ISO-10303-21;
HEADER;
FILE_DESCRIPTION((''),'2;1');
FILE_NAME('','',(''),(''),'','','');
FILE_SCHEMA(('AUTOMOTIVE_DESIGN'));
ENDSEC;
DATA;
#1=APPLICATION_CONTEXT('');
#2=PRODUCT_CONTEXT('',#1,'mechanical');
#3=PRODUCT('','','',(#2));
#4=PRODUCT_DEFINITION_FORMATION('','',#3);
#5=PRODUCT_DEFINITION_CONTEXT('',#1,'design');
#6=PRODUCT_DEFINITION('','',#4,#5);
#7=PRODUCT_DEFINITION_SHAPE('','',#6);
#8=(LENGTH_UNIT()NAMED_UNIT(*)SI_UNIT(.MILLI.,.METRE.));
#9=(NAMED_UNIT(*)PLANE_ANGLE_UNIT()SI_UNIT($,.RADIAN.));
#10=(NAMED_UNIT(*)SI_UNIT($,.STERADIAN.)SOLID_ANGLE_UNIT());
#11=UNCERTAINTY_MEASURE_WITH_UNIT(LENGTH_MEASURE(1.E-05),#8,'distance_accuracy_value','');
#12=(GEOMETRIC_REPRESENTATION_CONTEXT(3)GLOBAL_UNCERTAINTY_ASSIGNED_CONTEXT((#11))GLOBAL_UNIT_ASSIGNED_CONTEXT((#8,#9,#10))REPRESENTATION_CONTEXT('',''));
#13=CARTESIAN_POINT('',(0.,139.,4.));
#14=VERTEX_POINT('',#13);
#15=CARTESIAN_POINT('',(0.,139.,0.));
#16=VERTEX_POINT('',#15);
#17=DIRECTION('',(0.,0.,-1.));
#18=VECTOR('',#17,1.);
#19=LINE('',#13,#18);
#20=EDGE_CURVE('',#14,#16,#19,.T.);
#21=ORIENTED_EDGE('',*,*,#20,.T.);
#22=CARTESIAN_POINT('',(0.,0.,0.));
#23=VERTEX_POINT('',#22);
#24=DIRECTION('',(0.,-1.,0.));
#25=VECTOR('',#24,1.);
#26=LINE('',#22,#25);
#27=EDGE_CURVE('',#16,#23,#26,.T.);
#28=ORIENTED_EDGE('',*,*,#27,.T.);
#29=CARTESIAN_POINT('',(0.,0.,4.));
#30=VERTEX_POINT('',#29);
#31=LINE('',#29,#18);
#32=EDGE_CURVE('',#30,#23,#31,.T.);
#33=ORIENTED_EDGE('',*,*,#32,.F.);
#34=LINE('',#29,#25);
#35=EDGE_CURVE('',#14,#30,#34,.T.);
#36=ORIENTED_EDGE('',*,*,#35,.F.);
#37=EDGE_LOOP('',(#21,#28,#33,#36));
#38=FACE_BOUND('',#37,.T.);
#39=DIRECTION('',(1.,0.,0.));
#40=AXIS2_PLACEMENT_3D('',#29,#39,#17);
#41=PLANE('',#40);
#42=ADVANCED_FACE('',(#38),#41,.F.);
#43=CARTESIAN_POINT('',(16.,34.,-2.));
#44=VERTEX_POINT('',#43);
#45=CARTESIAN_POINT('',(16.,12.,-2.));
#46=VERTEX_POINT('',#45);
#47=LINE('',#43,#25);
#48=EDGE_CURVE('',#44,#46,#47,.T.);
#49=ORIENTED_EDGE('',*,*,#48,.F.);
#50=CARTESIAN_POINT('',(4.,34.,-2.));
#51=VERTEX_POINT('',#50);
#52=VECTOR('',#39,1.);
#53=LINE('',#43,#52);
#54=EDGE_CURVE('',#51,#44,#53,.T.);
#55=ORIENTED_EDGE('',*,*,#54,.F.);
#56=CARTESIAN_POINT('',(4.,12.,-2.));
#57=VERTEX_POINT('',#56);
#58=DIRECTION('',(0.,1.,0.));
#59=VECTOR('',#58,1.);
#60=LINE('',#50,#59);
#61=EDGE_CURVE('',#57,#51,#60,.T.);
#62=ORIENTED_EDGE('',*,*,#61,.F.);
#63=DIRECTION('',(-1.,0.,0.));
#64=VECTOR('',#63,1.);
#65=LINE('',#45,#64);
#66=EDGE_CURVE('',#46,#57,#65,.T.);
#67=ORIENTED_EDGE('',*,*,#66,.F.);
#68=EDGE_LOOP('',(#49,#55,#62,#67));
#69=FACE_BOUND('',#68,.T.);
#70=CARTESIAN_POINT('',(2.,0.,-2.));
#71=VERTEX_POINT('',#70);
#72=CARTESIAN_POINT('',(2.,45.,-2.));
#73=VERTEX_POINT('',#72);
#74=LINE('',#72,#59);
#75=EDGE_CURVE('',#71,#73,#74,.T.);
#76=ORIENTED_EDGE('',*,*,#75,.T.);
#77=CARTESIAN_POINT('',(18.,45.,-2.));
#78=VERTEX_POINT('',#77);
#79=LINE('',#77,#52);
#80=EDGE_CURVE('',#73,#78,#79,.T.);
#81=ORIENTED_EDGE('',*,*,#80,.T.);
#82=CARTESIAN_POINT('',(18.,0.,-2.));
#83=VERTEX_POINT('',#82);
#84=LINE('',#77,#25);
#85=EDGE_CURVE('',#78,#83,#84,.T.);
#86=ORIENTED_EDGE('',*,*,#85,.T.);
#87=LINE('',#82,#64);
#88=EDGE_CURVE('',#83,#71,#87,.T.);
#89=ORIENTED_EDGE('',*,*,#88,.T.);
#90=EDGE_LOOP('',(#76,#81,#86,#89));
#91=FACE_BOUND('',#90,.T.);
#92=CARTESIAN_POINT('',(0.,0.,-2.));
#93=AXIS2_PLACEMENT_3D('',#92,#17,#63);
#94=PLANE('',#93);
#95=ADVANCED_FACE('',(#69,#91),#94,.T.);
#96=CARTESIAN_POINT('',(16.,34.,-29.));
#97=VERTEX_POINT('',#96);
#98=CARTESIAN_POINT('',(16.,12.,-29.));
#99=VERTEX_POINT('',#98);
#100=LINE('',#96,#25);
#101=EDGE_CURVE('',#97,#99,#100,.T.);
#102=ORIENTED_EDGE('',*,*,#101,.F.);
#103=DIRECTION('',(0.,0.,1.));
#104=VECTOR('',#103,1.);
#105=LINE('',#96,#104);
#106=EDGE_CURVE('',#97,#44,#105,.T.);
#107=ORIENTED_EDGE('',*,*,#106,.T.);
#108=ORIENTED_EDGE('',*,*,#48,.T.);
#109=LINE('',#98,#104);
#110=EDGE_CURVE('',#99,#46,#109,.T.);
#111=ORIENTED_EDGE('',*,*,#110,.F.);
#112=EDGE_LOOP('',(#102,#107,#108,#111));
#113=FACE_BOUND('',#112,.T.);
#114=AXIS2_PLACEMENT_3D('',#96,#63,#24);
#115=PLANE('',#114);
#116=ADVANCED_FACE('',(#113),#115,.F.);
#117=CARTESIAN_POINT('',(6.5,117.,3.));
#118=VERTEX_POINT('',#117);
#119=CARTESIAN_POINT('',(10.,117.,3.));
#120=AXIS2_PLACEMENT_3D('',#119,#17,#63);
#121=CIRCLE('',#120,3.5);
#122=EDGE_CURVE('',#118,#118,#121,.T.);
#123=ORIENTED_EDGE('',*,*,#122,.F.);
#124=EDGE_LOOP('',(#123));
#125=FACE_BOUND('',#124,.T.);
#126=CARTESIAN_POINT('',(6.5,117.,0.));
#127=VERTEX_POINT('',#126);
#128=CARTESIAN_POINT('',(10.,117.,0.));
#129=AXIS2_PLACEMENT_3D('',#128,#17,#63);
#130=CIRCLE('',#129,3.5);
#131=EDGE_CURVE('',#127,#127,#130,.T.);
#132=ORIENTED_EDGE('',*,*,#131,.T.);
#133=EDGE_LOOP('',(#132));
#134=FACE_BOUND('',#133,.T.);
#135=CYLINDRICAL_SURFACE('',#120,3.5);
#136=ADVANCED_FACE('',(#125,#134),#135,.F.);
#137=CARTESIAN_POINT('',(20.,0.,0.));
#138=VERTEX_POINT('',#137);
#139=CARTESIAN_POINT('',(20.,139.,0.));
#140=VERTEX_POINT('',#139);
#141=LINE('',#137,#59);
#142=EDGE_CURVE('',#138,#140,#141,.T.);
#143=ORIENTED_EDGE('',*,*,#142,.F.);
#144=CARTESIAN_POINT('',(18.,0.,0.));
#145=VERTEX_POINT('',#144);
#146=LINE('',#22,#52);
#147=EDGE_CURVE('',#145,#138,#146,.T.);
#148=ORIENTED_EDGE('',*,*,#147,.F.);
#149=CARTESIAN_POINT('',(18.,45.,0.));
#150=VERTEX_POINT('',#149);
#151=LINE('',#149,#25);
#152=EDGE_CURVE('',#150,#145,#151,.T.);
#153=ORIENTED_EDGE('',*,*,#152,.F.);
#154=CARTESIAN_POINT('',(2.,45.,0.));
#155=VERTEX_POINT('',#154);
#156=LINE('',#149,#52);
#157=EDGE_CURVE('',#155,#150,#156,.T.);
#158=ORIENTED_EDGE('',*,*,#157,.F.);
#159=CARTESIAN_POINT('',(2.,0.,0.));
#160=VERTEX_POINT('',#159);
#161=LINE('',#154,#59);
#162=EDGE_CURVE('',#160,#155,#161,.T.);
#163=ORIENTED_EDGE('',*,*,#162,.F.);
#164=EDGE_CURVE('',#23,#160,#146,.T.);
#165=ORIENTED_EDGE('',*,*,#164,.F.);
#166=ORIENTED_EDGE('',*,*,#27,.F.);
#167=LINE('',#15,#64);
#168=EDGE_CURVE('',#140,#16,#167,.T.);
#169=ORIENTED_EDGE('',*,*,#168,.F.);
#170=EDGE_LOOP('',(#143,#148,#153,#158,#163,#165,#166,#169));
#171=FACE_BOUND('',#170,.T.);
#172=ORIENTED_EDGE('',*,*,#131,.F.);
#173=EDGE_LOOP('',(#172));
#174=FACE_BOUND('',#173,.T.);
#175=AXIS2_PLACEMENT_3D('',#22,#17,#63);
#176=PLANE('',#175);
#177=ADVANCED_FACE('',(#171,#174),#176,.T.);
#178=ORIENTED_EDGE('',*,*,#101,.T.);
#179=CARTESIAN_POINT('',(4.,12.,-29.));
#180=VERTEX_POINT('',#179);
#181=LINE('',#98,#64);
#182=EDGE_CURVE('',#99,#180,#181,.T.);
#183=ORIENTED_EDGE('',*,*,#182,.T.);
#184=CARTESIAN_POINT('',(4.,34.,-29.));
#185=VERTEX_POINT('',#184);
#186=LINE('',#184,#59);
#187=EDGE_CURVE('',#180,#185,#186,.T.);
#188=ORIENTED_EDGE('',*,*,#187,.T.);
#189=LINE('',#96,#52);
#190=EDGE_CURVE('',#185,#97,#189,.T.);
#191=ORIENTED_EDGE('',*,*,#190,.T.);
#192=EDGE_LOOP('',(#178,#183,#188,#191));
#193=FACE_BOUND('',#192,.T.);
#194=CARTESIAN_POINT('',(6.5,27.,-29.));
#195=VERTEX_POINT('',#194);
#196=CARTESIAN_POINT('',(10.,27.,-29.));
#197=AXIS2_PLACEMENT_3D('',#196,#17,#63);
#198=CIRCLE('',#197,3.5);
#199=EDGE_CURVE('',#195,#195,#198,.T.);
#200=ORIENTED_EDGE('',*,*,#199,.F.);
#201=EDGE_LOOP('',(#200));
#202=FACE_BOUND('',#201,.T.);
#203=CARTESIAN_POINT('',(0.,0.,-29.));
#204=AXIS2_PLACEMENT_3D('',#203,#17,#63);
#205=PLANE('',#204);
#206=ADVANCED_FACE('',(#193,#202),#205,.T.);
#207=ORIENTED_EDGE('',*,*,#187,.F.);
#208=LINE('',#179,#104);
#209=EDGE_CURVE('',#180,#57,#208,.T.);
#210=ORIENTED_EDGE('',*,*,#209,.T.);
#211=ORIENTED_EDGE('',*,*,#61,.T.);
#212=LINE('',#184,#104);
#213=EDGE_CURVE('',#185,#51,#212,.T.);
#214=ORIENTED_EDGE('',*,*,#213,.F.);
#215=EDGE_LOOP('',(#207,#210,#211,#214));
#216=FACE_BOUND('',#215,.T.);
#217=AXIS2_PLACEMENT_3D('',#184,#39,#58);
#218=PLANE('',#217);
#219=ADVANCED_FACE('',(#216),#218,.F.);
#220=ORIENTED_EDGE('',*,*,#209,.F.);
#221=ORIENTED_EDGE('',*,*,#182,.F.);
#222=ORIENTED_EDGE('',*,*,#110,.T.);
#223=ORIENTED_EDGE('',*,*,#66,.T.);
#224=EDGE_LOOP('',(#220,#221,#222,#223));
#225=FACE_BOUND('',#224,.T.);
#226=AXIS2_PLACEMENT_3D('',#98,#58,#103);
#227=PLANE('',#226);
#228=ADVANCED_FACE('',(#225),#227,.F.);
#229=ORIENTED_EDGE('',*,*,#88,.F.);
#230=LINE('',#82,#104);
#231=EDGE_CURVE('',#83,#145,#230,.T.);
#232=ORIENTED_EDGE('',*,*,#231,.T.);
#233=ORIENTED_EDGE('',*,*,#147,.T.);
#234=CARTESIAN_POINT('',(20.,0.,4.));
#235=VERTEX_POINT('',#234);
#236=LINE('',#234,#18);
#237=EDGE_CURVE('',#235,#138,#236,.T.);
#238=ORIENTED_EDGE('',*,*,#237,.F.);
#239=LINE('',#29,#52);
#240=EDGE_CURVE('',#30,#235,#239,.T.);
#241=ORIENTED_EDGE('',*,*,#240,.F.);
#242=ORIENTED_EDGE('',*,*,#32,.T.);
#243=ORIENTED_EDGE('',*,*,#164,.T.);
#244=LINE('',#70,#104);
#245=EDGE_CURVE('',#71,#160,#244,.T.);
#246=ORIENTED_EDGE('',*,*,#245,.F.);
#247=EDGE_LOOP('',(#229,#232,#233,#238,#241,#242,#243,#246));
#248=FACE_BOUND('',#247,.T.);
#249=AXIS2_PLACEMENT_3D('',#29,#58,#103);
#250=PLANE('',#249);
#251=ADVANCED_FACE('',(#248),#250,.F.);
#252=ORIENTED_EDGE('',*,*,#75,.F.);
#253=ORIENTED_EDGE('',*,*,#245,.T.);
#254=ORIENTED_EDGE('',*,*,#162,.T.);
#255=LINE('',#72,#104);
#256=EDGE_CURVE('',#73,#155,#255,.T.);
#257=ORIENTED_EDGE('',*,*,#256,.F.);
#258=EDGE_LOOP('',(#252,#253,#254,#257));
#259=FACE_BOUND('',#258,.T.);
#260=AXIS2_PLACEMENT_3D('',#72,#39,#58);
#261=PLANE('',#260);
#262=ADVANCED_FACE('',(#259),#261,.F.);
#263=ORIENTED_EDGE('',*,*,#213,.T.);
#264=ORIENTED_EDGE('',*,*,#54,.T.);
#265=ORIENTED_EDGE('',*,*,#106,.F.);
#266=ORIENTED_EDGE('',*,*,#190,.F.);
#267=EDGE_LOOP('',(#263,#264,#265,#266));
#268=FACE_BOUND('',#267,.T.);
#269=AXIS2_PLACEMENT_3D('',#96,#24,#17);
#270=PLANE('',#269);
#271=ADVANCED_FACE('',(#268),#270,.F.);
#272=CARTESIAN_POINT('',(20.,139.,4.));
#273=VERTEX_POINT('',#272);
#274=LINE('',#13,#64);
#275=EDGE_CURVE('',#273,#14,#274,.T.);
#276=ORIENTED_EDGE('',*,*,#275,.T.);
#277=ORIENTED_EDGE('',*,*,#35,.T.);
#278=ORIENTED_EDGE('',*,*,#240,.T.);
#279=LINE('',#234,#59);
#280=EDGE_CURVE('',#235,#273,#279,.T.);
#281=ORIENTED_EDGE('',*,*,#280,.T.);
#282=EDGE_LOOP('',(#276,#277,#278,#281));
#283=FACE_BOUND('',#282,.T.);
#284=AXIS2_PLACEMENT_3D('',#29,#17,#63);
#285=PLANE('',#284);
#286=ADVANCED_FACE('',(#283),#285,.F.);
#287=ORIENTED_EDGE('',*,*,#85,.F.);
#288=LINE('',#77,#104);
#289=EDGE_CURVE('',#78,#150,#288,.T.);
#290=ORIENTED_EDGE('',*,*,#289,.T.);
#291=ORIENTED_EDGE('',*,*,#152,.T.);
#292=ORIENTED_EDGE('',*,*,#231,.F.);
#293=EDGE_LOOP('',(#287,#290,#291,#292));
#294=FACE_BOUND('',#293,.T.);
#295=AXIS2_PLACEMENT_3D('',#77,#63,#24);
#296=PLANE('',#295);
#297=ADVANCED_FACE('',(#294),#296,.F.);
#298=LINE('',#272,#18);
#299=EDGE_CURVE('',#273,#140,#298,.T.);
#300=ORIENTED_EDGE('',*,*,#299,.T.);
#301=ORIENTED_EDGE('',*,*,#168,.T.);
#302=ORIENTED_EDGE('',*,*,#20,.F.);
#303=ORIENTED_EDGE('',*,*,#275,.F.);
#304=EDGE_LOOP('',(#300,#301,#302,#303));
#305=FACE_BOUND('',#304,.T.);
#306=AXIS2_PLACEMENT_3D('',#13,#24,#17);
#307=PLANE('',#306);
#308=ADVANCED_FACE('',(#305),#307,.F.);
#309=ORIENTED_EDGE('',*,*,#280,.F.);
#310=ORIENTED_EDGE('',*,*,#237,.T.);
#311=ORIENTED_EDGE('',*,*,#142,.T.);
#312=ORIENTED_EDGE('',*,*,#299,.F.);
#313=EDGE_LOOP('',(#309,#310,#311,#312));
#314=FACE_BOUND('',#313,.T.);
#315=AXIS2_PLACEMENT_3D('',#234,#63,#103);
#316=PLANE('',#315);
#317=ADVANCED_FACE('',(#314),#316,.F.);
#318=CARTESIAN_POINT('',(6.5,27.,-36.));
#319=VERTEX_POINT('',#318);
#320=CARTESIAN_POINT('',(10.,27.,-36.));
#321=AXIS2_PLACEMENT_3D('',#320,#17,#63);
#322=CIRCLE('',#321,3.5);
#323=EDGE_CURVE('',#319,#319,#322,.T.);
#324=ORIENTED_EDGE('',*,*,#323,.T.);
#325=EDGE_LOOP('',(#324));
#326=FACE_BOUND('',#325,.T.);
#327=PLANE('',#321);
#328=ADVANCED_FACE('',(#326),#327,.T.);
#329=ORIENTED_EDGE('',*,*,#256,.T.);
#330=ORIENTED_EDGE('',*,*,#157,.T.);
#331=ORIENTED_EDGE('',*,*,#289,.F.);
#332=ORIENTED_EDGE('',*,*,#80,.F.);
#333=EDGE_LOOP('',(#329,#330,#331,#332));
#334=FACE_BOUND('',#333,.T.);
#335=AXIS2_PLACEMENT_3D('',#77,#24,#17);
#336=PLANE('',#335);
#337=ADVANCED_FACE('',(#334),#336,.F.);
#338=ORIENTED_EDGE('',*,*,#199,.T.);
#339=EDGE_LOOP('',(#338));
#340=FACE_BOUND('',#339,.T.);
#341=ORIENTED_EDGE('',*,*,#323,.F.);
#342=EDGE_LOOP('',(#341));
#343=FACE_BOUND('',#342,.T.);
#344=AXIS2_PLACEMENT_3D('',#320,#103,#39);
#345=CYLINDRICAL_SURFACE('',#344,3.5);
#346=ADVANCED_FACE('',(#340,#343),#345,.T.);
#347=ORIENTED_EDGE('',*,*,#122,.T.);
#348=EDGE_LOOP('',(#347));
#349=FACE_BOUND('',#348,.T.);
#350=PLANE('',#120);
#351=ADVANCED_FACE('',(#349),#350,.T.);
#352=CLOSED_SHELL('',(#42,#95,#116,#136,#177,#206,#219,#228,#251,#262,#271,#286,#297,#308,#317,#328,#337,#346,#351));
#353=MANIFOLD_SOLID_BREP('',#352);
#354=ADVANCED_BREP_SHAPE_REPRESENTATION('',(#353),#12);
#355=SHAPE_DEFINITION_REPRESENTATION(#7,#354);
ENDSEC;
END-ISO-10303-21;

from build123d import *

# Parameters (mm, degrees)
SKIZZE1_W                       = 20
SKIZZE1_H                       = 139
AUFSATZ_LINEAR_AUSTRAGEN1_DEPTH = 4
SKIZZE7_R                       = 3.5
SCHNITT_LINEAR_AUSTRAGEN1_DEPTH = 3
SKIZZE8_W                       = 16
SKIZZE8_H                       = 45
AUFSATZ_LINEAR_AUSTRAGEN5_DEPTH = 2
SKIZZE9_W                       = 12
SKIZZE9_H                       = 22
AUFSATZ_LINEAR_AUSTRAGEN6_DEPTH = 27
SKIZZE10_R                      = 3.5
AUFSATZ_LINEAR_AUSTRAGEN7_DEPTH = 7


with BuildPart() as part:
    # Skizze1 → Aufsatz-Linear austragen1 (new body)
    with BuildSketch(Plane.XY):
        with Locations((10, 69.5)):
            Rectangle(SKIZZE1_W, SKIZZE1_H)
    extrude(amount=AUFSATZ_LINEAR_AUSTRAGEN1_DEPTH)

    # Skizze7 → Schnitt-Linear austragen1 (cut)
    with BuildSketch(Plane(origin=(0, 0, 0), x_dir=(-1, 0, 0), z_dir=(0, 0, -1))):
        with Locations((-10, 117)):
            Circle(SKIZZE7_R)
    extrude(amount=-SCHNITT_LINEAR_AUSTRAGEN1_DEPTH, mode=Mode.SUBTRACT)

    # Skizze8 → Aufsatz-Linear austragen5 (add)
    with BuildSketch(Plane(origin=(0, 0, 0), x_dir=(-1, 0, 0), z_dir=(0, 0, -1))):
        with Locations((-10, 22.5)):
            Rectangle(SKIZZE8_W, SKIZZE8_H)
    extrude(amount=AUFSATZ_LINEAR_AUSTRAGEN5_DEPTH)

    # Skizze9 → Aufsatz-Linear austragen6 (add)
    with BuildSketch(Plane(origin=(0, 0, -2), x_dir=(-1, 0, 0), z_dir=(0, 0, -1))):
        with Locations((-10, 23)):
            Rectangle(SKIZZE9_W, SKIZZE9_H)
    extrude(amount=AUFSATZ_LINEAR_AUSTRAGEN6_DEPTH)

    # Skizze10 → Aufsatz-Linear austragen7 (add)
    with BuildSketch(Plane(origin=(0, 0, -29), x_dir=(-1, 0, 0), z_dir=(0, 0, -1))):
        with Locations((-10, 27)):
            Circle(SKIZZE10_R)
    extrude(amount=AUFSATZ_LINEAR_AUSTRAGEN7_DEPTH)


solid = part.part
